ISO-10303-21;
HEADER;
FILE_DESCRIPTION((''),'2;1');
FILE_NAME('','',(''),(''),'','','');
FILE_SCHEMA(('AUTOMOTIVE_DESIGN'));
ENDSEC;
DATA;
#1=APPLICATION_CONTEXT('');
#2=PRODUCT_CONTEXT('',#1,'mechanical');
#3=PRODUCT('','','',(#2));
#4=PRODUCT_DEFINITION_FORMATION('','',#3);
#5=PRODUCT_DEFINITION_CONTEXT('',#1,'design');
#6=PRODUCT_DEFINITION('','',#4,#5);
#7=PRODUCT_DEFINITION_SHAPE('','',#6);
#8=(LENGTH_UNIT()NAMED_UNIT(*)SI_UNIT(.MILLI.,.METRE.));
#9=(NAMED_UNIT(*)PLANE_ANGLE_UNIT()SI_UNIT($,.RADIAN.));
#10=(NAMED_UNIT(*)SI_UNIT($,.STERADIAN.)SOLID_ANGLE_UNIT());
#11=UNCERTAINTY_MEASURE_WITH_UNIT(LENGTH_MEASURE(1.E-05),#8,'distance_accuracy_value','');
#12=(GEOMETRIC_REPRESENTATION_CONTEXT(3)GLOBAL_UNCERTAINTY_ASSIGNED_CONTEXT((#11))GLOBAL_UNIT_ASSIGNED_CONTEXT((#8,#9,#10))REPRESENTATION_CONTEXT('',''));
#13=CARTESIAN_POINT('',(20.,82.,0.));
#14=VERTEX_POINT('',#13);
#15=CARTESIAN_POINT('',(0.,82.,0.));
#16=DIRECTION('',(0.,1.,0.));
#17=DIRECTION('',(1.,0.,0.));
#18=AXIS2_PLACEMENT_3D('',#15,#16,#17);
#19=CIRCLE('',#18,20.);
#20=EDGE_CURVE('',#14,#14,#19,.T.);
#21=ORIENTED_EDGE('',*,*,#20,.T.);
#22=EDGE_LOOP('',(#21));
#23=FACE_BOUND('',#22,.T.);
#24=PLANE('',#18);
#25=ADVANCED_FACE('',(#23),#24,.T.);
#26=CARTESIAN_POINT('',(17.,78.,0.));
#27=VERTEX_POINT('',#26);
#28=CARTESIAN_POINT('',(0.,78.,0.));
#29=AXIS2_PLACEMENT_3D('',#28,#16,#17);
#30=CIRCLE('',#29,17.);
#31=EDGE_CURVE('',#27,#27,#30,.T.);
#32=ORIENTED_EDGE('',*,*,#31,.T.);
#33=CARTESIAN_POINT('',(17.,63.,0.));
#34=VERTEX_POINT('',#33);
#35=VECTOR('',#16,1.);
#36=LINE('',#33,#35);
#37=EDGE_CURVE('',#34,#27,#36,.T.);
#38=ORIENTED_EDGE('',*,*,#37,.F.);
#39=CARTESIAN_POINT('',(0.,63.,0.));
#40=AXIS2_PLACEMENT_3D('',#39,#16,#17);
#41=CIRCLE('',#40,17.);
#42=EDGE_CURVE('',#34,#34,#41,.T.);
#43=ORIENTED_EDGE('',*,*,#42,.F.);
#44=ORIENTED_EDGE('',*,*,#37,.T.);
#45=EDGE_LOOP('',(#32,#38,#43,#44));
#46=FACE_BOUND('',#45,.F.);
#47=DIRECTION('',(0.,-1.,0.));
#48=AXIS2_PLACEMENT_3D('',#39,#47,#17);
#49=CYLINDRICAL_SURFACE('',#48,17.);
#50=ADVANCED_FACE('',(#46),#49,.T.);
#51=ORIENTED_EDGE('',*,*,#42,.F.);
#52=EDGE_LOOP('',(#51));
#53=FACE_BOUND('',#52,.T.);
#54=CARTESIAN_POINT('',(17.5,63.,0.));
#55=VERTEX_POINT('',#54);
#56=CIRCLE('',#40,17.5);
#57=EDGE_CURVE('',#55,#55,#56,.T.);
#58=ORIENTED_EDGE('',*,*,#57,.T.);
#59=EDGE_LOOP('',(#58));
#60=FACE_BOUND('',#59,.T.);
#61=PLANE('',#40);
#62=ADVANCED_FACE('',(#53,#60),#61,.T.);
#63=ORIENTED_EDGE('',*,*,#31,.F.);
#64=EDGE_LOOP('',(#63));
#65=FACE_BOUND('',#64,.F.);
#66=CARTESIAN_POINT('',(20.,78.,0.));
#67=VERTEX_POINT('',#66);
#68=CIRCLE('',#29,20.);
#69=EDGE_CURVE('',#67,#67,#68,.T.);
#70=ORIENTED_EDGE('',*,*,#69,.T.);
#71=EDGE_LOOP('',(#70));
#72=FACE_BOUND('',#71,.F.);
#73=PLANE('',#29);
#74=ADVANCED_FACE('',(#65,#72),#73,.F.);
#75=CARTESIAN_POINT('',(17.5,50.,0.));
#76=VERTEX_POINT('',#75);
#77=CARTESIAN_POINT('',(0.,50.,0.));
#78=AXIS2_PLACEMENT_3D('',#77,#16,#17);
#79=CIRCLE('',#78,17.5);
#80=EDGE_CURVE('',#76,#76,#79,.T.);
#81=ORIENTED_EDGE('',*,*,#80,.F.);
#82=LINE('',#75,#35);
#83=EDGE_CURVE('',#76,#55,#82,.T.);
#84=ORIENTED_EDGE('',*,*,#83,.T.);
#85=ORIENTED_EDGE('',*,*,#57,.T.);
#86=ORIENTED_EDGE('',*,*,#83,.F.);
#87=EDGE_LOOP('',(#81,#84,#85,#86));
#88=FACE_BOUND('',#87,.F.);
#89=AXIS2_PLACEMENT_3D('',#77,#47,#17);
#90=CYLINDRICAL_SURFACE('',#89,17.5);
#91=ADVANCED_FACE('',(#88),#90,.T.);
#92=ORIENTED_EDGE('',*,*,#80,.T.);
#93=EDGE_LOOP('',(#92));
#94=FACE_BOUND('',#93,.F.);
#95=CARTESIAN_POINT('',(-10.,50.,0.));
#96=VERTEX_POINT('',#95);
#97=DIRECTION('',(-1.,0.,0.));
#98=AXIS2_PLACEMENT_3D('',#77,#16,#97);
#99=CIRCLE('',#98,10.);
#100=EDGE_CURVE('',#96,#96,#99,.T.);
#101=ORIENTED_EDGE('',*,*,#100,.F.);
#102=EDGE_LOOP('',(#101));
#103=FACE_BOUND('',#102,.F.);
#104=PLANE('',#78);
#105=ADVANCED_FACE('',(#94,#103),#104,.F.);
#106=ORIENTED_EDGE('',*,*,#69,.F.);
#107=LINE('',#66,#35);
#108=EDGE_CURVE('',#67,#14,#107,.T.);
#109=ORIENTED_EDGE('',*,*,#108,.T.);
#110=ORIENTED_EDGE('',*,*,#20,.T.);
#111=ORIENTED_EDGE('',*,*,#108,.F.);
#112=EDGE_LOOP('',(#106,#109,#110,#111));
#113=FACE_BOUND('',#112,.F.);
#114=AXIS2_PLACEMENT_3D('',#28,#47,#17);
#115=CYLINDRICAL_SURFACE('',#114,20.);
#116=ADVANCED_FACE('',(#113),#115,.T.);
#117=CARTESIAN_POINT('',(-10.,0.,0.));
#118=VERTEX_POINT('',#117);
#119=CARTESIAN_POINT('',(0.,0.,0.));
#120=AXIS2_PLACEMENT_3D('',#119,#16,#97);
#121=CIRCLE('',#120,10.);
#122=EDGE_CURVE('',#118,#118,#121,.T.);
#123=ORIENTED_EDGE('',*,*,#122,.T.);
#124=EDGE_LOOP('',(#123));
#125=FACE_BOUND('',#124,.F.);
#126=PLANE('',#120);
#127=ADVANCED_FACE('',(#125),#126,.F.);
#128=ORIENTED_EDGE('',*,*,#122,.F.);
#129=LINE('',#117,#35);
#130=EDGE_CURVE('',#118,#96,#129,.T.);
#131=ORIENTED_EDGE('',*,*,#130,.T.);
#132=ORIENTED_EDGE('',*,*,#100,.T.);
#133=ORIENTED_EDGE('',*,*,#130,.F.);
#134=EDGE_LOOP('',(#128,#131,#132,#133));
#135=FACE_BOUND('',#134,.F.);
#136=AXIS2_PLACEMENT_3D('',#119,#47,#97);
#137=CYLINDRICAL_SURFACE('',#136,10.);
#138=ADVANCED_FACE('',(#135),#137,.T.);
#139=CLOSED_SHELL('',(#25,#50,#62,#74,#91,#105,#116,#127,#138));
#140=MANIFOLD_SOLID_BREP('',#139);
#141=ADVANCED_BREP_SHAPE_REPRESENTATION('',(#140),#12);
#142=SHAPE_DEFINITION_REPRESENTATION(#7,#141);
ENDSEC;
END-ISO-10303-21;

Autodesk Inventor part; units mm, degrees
ref_plane "YZ Plane" through (0, 0, 0) normal (1, 0, 0) x (0, 1, 0)
ref_plane "XZ Plane" through (0, 0, 0) normal (0, 1, 0) x (-1, 0, 0)
ref_plane "XY Plane" through (0, 0, 0) normal (0, 0, 1) x (1, 0, 0)
sketch "Sketch1" plane through (0, 0, 0) normal (0, 1, 0) x (-1, 0, 0)
  circle A0 centre (0, 0) radius 10
  dimension "d0" = 20
extrude "Extrusion1" add sketch "Sketch1" along normal blind 50
sketch "Sketch2" plane through (0, 50, 0) normal (0, 1, 0) x (1, 0, 0)
  circle A0 centre (0, 0) radius 17.5
  dimension "d3" = 35
extrude "Extrusion2" add sketch "Sketch2" along normal blind 13
sketch "Sketch3" plane through (0, 63, 0) normal (0, 1, 0) x (1, 0, 0)
  circle A0 centre (0, 0) radius 17
  dimension "d6" = 34
extrude "Extrusion3" add sketch "Sketch3" along normal blind 15
sketch "Sketch4" plane through (0, 78, 0) normal (0, 1, 0) x (1, 0, 0)
  circle A0 centre (0, 0) radius 20
  dimension "d9" = 40
extrude "Extrusion4" add sketch "Sketch4" along normal blind 4
sketch "Sketch5" plane through (0, 82, 0) normal (0, 1, 0) x (1, 0, 0)
  point P0 (0, 0)
properties part number "estop"
